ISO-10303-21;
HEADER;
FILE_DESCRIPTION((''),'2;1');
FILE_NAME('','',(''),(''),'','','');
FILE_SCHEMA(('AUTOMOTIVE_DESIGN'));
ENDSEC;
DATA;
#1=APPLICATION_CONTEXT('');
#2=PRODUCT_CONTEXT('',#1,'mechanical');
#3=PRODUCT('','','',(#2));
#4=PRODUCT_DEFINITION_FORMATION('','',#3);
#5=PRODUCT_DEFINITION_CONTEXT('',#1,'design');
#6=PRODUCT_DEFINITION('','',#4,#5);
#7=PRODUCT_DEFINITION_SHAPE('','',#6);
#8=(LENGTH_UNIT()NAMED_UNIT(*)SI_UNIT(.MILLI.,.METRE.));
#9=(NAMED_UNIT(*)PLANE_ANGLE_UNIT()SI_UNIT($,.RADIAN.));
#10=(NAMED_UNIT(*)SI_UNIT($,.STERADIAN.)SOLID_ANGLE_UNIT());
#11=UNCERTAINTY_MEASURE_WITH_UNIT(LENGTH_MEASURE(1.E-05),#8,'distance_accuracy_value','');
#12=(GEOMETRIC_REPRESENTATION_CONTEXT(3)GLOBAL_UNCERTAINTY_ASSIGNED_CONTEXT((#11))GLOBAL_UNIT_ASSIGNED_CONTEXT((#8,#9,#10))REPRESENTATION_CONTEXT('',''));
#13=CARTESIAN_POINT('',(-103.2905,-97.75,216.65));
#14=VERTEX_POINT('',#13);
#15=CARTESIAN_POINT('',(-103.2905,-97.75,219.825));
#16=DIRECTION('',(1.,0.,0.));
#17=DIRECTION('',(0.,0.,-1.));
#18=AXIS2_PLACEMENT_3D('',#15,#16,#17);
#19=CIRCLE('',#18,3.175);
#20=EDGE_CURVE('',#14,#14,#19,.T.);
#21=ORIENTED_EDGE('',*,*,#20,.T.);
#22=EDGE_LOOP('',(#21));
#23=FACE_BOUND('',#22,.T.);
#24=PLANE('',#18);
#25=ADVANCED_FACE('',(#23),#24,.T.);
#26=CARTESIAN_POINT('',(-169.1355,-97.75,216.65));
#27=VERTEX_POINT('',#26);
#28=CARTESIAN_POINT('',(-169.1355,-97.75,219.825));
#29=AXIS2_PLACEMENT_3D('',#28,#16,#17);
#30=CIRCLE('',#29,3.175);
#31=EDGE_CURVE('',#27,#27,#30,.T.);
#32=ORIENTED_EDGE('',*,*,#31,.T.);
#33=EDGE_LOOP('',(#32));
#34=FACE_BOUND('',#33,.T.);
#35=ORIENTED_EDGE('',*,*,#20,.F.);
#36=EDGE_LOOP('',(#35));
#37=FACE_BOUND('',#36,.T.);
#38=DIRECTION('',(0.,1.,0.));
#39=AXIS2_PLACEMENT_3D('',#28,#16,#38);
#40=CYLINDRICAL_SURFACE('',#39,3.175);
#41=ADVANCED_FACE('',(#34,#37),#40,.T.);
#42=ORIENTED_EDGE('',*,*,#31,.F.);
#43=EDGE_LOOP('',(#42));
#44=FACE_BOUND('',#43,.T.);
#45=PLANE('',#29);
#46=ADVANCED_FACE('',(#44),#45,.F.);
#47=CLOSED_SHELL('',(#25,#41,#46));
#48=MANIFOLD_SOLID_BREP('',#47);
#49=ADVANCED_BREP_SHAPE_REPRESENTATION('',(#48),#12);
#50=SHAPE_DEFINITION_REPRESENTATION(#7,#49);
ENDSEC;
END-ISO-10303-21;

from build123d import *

# Parameters (mm, degrees)
SWEEP1_PROFILE_R = 3.175


with BuildPart() as part:
    # Sweep1: sweep along a curve in space
    with BuildLine() as sweep1_path:
        Line((-169.135499988, -97.75, 219.8250001), (-103.290499988, -97.75, 219.8250001))
    # Sweep1 profile (on start of the path) → Sweep1 (sweep)
    with BuildSketch(Plane(origin=(-169.135499988, -97.75, 219.8250001), x_dir=(0, 1, 0), z_dir=(1, 0, 0))):
        Circle(SWEEP1_PROFILE_R)
    sweep(path=sweep1_path.line)


solid = part.part
